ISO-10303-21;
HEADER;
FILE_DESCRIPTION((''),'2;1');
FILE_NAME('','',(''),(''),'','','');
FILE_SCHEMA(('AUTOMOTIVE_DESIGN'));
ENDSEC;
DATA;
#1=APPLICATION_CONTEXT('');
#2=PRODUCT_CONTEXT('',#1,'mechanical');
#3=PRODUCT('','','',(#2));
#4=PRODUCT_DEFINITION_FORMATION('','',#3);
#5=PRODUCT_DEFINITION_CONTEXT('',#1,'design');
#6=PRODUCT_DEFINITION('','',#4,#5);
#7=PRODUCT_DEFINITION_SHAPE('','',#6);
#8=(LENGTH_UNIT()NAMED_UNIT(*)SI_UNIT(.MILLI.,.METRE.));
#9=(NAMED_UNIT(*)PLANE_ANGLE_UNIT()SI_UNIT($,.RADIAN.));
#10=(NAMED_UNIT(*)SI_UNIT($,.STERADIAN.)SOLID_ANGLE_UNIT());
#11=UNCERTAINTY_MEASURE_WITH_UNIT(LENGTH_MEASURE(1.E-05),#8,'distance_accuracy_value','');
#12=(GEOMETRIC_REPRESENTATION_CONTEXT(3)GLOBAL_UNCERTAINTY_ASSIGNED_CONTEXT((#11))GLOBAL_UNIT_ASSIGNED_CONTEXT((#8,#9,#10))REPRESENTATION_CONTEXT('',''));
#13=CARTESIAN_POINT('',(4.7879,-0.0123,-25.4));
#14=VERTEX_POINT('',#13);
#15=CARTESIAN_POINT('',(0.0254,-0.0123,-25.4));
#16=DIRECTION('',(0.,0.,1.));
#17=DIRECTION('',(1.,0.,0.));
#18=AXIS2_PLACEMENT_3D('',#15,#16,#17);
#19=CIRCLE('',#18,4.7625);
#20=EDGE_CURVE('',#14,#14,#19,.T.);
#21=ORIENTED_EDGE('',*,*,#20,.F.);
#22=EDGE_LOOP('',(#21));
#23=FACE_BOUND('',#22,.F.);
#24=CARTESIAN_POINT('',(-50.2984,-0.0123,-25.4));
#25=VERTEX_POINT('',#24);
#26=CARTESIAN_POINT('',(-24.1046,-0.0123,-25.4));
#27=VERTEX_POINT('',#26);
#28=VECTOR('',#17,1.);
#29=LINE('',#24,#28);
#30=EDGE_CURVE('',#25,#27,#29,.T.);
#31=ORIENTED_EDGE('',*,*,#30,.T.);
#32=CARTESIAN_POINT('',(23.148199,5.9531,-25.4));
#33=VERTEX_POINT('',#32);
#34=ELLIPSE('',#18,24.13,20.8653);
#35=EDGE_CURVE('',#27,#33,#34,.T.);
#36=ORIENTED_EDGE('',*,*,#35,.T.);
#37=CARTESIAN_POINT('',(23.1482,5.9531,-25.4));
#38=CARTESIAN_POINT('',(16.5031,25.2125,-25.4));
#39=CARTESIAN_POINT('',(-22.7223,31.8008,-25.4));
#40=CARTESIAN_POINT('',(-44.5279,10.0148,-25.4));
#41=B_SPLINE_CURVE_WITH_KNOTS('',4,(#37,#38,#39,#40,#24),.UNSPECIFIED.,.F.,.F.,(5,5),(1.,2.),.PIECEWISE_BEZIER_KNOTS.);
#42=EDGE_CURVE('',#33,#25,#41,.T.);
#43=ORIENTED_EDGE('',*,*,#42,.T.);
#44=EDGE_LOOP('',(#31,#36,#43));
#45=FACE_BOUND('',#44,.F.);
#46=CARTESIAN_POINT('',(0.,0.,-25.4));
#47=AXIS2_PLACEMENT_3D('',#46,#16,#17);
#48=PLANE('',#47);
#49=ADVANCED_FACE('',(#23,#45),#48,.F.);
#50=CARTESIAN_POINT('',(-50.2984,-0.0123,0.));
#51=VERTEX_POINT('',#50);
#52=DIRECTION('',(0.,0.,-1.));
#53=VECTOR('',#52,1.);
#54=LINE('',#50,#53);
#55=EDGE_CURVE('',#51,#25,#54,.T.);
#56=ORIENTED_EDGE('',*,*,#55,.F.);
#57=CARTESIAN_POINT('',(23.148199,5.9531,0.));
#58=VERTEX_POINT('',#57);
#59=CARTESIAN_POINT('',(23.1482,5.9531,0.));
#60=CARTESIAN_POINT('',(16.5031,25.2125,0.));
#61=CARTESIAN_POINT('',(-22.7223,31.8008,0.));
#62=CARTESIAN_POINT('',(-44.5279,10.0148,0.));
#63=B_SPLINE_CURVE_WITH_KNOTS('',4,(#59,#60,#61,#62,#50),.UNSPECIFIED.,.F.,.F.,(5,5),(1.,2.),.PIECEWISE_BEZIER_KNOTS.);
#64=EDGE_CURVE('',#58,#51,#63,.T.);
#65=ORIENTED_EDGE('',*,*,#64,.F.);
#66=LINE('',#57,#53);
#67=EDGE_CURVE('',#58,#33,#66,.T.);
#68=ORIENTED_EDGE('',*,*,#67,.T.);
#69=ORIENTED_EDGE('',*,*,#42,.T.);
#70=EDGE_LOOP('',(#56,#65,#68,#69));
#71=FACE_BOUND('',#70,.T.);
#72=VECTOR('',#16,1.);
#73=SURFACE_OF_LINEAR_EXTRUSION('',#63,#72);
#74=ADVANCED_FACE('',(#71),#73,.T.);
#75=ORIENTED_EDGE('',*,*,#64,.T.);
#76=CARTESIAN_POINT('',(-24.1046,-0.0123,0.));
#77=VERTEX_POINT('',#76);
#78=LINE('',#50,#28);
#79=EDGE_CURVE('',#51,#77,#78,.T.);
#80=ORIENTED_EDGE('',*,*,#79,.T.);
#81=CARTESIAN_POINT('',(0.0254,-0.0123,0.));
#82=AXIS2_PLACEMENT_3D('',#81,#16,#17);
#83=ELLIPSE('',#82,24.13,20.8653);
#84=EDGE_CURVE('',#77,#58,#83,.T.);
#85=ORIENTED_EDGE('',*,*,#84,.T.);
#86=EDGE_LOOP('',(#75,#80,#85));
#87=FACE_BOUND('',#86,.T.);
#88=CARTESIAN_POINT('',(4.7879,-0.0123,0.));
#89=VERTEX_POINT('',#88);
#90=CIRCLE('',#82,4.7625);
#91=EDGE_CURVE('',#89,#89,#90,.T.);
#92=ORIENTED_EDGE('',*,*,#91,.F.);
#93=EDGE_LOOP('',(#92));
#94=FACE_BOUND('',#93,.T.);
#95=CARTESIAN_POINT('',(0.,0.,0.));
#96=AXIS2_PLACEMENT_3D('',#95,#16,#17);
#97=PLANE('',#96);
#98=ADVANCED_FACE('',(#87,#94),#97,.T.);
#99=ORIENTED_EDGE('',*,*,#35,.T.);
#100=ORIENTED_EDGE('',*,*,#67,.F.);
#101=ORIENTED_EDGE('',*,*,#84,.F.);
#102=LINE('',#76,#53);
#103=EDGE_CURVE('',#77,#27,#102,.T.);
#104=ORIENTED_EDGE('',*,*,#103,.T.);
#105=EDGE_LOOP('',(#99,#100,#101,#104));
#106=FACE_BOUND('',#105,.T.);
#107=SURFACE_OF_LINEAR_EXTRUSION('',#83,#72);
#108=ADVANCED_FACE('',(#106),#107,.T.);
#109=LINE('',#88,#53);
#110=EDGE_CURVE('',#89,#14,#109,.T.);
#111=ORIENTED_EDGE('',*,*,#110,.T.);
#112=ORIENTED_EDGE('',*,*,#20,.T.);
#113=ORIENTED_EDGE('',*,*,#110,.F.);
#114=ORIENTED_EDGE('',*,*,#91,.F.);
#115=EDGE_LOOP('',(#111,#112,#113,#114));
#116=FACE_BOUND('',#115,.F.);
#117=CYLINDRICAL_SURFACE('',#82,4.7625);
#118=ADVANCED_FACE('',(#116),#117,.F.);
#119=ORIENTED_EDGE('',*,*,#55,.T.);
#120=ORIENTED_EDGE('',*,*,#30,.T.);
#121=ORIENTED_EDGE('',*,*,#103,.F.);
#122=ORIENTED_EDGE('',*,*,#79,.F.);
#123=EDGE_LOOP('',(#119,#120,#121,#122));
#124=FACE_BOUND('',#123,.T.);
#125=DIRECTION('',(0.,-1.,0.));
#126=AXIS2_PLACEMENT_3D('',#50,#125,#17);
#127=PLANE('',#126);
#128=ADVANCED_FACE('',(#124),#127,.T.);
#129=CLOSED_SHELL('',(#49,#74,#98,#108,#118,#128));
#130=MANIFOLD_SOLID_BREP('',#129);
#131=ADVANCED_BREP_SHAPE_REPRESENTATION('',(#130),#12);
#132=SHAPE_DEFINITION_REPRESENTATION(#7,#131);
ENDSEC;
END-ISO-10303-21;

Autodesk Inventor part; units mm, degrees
ref_plane "YZ Plane" through (0, 0, 0) normal (1, 0, 0) x (0, 1, 0)
ref_plane "XZ Plane" through (0, 0, 0) normal (0, 1, 0) x (-1, 0, 0)
ref_plane "XY Plane" through (0, 0, 0) normal (0, 0, 1) x (1, 0, 0)
sketch "Sketch1" plane through (0, 0, 0) normal (0, 0, 1) x (1, 0, 0)
  ellipse E0 centre (0.0254, -0.0123) end of major axis (24.1554, -0.0123) minor radius 20.8653 (-24.1046, -0.0123) -> (23.1482, 5.9531) ccw
  line L0 (23.1482, 5.9531) -> (16.5031, 25.2125) construction
  line L1 (16.5031, 25.2125) -> (-22.7223, 31.8008) construction
  line L2 (-22.7223, 31.8008) -> (-44.5279, 10.0148) construction
  line L3 (-44.5279, 10.0148) -> (-50.2984, -0.0123) construction
  spline S0 degree 4 poles (23.1482, 5.9531) (16.5031, 25.2125) (-22.7223, 31.8008) (-44.5279, 10.0148) (-50.2984, -0.0123) knots 1 1 1 1 1 2 2 2 2 2
  line L4 (-50.2984, -0.0123) -> (-24.1046, -0.0123)
  circle A0 centre (0.0254, -0.0123) radius 4.7625
  point P0 (0, 0)
  dimension "d62" = 24.13
  dimension "d63" = 20.8653
  dimension "d42" = 31.8008
  dimension "d43" = 50.2983
  dimension "d44" = 24.1046
  dimension "d45" = 30.8239
  dimension "d46" = 11.569
  dimension "d47" = 39.7748
  dimension "d48" = 20.3735
  dimension "d53" = 125.491
  dimension "d57" = 5.9531
  dimension "d64" = 9.525
extrude "Extrusion1" add sketch "Sketch1" against normal blind 25.4
properties part number "cam 1"
